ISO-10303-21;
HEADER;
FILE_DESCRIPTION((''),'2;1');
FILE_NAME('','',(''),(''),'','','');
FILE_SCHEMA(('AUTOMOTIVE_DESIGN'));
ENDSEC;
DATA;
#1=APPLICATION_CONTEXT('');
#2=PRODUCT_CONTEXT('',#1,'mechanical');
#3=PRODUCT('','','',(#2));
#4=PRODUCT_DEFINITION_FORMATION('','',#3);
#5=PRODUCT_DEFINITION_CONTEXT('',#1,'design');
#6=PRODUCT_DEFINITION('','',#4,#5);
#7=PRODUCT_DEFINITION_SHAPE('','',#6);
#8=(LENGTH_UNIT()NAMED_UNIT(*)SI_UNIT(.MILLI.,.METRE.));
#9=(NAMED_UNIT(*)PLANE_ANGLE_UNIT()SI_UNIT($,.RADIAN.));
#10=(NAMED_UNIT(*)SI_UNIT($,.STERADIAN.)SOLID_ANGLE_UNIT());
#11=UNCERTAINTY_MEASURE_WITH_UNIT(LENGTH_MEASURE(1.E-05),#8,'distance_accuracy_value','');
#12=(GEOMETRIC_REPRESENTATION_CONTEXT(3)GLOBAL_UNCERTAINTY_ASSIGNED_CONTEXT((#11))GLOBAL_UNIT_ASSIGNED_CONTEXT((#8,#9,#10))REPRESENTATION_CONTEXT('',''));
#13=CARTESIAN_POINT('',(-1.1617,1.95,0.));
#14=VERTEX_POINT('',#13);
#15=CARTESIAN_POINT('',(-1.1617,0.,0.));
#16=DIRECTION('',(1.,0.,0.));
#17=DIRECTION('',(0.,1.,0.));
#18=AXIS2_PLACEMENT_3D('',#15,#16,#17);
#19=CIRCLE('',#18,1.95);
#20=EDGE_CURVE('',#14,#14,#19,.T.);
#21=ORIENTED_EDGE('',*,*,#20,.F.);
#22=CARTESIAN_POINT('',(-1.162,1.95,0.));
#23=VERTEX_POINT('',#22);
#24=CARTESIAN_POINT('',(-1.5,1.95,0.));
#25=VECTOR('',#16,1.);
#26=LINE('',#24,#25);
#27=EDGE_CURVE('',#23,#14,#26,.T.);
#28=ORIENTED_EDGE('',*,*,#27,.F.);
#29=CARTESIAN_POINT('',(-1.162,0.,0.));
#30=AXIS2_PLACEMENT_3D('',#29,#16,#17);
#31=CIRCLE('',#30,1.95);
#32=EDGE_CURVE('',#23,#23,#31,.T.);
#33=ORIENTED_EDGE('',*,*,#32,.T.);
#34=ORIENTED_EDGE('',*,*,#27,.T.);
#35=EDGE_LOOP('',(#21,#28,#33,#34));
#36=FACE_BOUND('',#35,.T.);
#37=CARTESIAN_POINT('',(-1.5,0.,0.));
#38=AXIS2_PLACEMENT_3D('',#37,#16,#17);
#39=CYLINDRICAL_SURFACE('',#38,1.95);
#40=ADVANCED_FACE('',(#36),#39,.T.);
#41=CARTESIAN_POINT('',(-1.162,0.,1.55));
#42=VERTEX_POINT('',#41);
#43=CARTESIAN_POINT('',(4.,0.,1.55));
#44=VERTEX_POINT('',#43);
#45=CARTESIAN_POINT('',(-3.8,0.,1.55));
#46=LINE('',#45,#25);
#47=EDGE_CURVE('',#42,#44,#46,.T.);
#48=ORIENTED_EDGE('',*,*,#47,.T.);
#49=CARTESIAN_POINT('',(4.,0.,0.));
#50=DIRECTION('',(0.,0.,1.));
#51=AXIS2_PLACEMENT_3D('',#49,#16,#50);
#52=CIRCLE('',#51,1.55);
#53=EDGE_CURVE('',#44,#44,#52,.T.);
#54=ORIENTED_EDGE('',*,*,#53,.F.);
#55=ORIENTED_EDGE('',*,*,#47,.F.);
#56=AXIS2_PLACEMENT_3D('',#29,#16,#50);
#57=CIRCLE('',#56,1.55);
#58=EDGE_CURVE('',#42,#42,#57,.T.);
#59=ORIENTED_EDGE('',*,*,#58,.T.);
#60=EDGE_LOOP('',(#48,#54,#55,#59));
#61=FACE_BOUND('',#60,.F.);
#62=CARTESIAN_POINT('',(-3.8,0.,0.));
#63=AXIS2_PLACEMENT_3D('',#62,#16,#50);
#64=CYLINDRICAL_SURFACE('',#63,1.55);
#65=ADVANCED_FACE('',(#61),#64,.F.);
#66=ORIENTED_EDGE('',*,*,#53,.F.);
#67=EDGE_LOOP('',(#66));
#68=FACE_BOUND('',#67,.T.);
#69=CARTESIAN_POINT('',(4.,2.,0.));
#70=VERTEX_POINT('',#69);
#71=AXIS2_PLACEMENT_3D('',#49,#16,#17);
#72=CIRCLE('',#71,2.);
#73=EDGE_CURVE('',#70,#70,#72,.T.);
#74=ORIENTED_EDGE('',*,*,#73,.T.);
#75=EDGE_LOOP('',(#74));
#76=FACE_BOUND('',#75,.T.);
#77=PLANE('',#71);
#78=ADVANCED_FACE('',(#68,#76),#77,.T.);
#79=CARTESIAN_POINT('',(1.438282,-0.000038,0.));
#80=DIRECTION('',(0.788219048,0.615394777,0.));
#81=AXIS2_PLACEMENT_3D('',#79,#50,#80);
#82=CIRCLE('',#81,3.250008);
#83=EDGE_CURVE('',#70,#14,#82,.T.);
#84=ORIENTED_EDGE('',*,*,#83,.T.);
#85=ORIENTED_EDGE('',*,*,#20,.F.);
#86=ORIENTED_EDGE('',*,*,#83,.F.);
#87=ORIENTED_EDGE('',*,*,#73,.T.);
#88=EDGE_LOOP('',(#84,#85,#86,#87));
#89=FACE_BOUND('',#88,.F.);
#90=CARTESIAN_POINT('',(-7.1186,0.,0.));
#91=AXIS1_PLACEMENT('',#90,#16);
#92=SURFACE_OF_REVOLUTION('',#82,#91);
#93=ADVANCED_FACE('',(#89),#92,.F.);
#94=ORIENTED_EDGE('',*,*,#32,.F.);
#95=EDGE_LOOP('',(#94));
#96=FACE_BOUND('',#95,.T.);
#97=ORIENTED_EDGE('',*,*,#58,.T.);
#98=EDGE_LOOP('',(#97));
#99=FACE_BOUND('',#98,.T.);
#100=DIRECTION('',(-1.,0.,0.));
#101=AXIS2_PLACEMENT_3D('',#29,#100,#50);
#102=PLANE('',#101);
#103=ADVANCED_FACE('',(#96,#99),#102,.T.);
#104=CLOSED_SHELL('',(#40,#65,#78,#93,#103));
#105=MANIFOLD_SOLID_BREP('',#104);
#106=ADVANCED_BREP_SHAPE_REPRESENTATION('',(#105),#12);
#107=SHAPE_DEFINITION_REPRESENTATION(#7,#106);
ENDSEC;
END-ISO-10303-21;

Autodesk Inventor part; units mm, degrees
ref_plane "YZ Plane" through (0, 0, 0) normal (1, 0, 0) x (0, 1, 0)
ref_plane "XZ Plane" through (0, 0, 0) normal (0, 1, 0) x (-1, 0, 0)
ref_plane "XY Plane" through (0, 0, 0) normal (0, 0, 1) x (1, 0, 0)
sketch "Esquisse1" plane through (0, 0, 0) normal (0, 0, 1) x (1, 0, 0)
  line L0 (-7.1186, 0) -> (5.8768, 0)
  line L1 (-4, 0) -> (-4, 3.25)
  line L2 (-4, 3.25) -> (-2.5, 3.25)
  line L3 (-2.5, 3.25) -> (-1.5, 1.95)
  line L4 (-1.5, 1.95) -> (-1.1617, 1.95)
  arc A0 (4, 2) -> (-1.1617, 1.95) centre (1.4383, 0) ccw
  line L5 (4, 2) -> (4, 0)
  line L6 (-4, 0) -> (4, 0)
  point P0 (0, 0)
  dimension "d1" = 6.5
  dimension "d2" = 8
  dimension "d3" = 1.5
  dimension "d5" = 2.5
  dimension "d6" = 4
  dimension "d7" = 6.5
  dimension "d8" = 4
  dimension "d9" = 3.9
revolve "Révolution1" add sketch "Esquisse1" angle 360 about axis through (-7.1186, 0, 0) along (1, 0, 0)
sketch "Esquisse2" plane through (-4, 0, 0) normal (-1, 0, 0) x (0, 0, 1)
  point P0 (0, 0)
  point P1 (0, 0)
hole "Perçage1" at (-4, 0, 0) direction (1, 0, 0) diameter 3.1 end through all countersink diameter 3.5 countersink angle 90
sketch "Esquisse3" plane through (-4, 0, 0) normal (-1, 0, 0) x (0, 0, 1)
  circle A0 centre (0, 0) radius 3.25 projected
extrude "Extrusion1" cut sketch "Esquisse3" against normal blind 2.838
equation "\"d8\" = 0.5 * d2"
properties part number "Rotule simple" material "Laiton, jaune doux"
